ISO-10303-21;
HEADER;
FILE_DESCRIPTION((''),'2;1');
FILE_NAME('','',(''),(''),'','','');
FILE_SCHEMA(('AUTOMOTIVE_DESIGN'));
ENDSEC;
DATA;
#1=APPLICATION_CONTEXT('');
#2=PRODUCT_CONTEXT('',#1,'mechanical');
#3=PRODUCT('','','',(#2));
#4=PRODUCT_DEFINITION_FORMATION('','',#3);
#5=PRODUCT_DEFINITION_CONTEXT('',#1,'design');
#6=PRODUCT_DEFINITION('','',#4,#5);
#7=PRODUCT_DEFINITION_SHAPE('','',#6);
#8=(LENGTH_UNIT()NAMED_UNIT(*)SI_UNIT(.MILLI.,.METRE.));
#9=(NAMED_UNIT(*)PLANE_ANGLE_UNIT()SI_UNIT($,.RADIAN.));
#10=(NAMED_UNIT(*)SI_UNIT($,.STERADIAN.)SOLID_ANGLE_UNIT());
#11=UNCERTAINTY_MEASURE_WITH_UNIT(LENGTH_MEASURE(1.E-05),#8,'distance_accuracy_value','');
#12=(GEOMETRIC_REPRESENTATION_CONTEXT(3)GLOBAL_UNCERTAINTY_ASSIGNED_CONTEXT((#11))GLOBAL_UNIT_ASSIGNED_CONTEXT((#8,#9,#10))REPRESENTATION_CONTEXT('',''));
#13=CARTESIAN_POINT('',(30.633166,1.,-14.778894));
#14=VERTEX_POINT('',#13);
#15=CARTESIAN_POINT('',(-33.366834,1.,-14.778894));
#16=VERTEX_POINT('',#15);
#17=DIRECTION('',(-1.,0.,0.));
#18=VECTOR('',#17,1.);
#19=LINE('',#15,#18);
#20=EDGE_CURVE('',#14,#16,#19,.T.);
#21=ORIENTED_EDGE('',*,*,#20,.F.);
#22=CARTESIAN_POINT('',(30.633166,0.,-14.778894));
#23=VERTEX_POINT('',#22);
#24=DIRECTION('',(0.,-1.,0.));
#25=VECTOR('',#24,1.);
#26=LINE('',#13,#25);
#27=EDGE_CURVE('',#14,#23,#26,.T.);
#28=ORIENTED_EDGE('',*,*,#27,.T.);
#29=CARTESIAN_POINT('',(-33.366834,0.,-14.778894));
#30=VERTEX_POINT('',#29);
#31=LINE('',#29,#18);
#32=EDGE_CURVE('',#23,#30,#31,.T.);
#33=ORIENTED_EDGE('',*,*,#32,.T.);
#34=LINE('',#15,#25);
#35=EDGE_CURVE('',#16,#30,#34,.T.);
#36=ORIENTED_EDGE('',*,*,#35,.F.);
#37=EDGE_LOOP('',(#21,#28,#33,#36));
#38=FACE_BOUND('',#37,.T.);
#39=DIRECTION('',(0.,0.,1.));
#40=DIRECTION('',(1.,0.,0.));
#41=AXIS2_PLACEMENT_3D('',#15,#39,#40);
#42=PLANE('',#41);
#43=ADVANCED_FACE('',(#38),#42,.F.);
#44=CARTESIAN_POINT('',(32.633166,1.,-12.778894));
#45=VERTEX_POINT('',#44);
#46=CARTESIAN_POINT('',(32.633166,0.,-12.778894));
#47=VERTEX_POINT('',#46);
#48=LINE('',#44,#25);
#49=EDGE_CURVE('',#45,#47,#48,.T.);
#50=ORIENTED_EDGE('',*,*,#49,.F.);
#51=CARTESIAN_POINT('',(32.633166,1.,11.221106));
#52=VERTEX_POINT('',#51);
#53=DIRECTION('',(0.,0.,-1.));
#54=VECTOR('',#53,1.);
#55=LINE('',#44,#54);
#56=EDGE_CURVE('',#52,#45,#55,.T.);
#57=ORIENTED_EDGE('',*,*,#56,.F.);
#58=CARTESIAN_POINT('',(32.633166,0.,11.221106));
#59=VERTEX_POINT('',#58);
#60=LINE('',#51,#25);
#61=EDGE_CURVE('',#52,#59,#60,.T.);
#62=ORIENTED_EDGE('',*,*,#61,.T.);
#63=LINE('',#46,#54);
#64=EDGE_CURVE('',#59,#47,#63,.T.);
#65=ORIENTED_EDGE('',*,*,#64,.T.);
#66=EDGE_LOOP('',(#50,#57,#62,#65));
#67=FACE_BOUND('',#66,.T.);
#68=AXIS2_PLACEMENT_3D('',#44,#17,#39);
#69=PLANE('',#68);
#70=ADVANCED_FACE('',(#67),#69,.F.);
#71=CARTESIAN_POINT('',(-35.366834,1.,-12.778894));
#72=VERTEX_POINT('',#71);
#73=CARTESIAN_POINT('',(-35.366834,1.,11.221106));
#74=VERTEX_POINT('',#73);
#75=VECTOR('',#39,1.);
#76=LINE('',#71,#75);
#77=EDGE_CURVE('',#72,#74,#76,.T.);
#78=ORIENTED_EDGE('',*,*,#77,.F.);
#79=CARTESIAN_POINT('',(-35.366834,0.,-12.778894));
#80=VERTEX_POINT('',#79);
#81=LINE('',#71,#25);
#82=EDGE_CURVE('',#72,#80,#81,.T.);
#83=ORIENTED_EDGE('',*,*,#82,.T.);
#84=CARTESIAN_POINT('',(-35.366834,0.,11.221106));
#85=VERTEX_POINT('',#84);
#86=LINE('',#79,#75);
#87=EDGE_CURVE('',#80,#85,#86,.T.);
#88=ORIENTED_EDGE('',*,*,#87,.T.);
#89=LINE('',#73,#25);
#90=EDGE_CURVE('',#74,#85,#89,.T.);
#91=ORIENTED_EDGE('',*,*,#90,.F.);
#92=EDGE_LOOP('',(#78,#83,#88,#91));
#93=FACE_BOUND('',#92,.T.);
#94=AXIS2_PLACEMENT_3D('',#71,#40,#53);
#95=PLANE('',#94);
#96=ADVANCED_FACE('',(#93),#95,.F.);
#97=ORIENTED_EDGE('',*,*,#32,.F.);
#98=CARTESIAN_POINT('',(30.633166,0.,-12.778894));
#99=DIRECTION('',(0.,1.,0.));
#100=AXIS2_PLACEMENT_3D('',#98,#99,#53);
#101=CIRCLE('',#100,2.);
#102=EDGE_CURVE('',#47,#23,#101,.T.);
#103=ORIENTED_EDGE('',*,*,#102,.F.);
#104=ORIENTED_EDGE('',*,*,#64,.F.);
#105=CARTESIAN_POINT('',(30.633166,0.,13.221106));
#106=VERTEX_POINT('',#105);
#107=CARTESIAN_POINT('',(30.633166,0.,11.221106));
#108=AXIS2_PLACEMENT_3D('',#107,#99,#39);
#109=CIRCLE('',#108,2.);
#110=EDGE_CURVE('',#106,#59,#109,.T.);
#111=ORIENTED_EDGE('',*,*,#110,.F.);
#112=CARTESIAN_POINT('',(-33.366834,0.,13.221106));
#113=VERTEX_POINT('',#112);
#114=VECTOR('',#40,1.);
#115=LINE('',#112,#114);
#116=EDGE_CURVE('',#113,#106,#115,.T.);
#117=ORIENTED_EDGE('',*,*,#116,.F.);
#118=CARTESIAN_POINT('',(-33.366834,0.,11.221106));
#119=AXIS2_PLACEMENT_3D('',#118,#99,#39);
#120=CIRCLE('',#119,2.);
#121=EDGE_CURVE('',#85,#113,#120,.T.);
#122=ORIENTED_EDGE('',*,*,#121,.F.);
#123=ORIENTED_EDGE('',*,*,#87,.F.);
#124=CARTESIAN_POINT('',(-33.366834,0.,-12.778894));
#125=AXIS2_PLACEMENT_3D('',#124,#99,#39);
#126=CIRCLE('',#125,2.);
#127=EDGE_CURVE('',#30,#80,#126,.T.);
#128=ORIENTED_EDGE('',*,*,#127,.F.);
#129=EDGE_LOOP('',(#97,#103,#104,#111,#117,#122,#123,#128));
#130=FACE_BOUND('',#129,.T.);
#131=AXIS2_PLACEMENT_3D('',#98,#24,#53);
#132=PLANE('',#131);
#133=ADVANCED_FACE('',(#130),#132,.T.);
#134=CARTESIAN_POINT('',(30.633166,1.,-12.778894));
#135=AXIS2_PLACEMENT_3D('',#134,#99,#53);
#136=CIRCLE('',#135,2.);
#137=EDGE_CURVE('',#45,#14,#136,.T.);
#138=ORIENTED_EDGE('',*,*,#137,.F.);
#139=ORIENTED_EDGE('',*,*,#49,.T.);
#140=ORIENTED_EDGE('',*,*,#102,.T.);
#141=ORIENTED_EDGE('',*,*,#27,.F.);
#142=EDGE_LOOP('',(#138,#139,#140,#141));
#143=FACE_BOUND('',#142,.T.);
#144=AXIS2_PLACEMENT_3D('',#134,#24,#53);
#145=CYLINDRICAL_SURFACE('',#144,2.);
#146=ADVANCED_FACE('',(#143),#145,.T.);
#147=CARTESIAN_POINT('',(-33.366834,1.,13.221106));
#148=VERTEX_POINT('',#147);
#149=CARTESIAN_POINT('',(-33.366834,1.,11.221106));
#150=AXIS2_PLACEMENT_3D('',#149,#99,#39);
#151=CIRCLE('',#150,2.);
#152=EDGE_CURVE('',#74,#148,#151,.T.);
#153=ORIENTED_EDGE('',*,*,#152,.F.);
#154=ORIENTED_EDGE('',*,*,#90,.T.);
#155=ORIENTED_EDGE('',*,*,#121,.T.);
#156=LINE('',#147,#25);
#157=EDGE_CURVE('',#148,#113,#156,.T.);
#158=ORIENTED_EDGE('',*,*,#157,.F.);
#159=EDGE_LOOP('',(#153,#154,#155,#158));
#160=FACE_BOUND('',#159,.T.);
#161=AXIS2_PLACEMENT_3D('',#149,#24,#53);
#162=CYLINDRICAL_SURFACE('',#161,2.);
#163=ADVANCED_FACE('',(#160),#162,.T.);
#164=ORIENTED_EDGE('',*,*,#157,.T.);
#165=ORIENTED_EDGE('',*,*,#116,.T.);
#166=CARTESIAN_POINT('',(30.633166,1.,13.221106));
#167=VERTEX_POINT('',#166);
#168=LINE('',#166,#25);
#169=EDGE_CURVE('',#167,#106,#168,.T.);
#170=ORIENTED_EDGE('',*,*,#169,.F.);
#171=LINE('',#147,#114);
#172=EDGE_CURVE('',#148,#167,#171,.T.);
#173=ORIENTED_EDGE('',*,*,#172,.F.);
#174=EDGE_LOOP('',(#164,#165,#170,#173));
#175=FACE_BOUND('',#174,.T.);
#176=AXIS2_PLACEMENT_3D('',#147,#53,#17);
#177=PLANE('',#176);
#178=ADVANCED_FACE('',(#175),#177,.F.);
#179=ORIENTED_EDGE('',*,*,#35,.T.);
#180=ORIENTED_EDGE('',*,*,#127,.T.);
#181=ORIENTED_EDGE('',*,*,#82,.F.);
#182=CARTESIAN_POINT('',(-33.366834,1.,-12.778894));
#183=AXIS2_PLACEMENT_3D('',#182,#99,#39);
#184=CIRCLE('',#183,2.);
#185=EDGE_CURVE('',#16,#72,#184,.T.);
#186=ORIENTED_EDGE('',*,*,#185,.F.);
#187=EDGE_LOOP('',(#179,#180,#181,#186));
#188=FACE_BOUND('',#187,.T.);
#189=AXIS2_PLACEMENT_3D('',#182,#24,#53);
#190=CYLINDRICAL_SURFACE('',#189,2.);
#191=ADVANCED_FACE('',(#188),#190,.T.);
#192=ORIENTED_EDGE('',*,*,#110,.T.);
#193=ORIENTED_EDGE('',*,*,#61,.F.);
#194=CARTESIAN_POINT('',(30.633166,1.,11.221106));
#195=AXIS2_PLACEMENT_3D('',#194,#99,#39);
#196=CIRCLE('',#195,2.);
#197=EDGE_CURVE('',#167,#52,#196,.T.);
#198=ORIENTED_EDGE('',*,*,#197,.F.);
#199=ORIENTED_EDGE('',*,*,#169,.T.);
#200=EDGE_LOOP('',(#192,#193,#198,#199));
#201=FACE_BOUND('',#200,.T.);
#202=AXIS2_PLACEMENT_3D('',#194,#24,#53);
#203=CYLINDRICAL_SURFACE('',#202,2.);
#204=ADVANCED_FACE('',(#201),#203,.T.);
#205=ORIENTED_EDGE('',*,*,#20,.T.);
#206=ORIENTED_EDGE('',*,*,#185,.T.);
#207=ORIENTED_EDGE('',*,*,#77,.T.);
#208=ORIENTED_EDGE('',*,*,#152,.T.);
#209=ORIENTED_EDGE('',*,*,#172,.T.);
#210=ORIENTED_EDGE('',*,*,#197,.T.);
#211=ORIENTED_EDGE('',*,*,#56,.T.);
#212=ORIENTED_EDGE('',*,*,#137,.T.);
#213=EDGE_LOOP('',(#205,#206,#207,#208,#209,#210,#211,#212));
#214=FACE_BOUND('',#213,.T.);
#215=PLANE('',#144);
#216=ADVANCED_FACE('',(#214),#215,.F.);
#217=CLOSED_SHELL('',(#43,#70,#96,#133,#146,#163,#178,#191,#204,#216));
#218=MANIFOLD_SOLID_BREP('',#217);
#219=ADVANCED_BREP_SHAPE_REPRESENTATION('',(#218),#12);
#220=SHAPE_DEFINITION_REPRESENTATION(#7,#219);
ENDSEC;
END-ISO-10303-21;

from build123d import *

# Parameters (mm, degrees)
EXTRUDE_1_DEPTH = 1


with BuildPart() as part:
    # 草图1 → 凸台-拉伸1 (new body)
    with BuildSketch(Plane(origin=(0, 0, 0), x_dir=(1, 0, 0), z_dir=(0, 1, 0))):
        with BuildLine():
            Line((-33.366834171, 14.778894472), (30.633165829, 14.778894472))
            ThreePointArc((30.633165829, 14.778894472), (32.047379392, 14.193108035), (32.633165829, 12.778894472))
            Line((32.633165829, 12.778894472), (32.633165829, -11.221105528))
            ThreePointArc((32.633165829, -11.221105528), (32.047379392, -12.63531909), (30.633165829, -13.221105528))
            Line((30.633165829, -13.221105528), (-33.366834171, -13.221105528))
            ThreePointArc((-33.366834171, -13.221105528), (-34.781047733, -12.63531909), (-35.366834171, -11.221105528))
            Line((-35.366834171, -11.221105528), (-35.366834171, 12.778894472))
            ThreePointArc((-35.366834171, 12.778894472), (-34.781047733, 14.193108035), (-33.366834171, 14.778894472))
        make_face()
    extrude(amount=EXTRUDE_1_DEPTH)


solid = part.part
